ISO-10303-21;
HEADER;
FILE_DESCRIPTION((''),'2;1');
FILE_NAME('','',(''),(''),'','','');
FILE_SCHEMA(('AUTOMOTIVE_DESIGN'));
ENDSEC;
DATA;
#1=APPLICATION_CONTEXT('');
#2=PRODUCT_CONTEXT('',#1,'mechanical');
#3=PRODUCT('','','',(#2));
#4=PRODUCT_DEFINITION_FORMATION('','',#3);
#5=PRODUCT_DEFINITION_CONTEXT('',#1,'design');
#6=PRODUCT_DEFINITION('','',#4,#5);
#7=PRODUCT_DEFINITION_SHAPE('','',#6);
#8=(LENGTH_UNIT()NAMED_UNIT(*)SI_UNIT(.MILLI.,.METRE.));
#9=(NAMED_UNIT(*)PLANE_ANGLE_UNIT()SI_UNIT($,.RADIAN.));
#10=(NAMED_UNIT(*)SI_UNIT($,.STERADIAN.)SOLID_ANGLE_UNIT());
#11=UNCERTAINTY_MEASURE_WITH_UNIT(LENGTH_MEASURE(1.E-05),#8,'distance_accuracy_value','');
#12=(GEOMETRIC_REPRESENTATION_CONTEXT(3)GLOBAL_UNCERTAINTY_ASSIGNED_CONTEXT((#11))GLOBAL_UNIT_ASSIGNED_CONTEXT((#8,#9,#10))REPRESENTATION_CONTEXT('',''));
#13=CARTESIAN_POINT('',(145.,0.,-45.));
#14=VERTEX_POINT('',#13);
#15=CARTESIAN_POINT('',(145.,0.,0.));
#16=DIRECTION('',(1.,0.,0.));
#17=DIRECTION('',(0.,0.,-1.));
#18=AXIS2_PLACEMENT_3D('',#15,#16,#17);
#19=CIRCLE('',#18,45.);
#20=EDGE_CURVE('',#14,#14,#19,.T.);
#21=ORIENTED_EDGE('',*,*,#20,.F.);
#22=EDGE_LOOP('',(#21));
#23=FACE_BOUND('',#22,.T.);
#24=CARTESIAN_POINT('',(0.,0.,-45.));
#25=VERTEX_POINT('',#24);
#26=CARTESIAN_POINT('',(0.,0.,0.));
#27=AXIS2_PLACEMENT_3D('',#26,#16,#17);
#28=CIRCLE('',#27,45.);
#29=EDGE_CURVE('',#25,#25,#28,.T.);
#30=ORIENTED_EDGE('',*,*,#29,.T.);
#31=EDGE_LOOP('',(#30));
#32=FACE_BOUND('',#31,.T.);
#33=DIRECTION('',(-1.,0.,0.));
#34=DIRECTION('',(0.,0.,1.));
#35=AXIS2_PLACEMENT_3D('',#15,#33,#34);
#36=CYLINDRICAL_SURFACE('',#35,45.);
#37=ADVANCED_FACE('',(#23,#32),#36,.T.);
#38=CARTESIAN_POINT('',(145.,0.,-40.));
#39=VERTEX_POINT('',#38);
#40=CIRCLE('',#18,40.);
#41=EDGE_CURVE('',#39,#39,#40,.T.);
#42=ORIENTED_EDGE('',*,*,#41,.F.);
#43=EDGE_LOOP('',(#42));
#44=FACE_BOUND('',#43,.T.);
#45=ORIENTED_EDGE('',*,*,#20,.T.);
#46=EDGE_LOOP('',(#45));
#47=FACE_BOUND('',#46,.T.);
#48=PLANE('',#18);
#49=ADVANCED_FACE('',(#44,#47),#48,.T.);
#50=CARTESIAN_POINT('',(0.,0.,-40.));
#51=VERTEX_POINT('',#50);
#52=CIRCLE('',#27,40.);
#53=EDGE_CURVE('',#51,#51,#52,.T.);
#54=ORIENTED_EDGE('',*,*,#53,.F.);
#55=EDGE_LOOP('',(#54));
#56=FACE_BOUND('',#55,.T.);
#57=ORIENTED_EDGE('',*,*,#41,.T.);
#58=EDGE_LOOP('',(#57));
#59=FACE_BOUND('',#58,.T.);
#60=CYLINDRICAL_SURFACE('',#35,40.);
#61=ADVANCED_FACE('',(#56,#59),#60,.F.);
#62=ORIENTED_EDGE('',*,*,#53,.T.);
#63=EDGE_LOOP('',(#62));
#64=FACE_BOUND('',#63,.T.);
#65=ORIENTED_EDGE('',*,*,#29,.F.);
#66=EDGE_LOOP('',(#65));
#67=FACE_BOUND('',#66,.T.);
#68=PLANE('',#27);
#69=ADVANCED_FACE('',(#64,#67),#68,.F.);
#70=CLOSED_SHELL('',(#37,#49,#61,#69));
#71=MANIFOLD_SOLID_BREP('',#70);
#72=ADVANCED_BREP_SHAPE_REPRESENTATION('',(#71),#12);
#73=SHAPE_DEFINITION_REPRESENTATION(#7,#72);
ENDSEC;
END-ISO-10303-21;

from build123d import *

# Parameters (mm, degrees)
SKETCH1_R           = 45
SKETCH1_R_2         = 40
BOSS_EXTRUDE1_DEPTH = 145


with BuildPart() as part:
    # Sketch1 → Boss-Extrude1 (new body)
    with BuildSketch(Plane(origin=(0, 0, 0), x_dir=(0, 0, -1), z_dir=(1, 0, 0))):
        Circle(SKETCH1_R)
        Circle(SKETCH1_R_2, mode=Mode.SUBTRACT)
    extrude(amount=BOSS_EXTRUDE1_DEPTH)


solid = part.part
